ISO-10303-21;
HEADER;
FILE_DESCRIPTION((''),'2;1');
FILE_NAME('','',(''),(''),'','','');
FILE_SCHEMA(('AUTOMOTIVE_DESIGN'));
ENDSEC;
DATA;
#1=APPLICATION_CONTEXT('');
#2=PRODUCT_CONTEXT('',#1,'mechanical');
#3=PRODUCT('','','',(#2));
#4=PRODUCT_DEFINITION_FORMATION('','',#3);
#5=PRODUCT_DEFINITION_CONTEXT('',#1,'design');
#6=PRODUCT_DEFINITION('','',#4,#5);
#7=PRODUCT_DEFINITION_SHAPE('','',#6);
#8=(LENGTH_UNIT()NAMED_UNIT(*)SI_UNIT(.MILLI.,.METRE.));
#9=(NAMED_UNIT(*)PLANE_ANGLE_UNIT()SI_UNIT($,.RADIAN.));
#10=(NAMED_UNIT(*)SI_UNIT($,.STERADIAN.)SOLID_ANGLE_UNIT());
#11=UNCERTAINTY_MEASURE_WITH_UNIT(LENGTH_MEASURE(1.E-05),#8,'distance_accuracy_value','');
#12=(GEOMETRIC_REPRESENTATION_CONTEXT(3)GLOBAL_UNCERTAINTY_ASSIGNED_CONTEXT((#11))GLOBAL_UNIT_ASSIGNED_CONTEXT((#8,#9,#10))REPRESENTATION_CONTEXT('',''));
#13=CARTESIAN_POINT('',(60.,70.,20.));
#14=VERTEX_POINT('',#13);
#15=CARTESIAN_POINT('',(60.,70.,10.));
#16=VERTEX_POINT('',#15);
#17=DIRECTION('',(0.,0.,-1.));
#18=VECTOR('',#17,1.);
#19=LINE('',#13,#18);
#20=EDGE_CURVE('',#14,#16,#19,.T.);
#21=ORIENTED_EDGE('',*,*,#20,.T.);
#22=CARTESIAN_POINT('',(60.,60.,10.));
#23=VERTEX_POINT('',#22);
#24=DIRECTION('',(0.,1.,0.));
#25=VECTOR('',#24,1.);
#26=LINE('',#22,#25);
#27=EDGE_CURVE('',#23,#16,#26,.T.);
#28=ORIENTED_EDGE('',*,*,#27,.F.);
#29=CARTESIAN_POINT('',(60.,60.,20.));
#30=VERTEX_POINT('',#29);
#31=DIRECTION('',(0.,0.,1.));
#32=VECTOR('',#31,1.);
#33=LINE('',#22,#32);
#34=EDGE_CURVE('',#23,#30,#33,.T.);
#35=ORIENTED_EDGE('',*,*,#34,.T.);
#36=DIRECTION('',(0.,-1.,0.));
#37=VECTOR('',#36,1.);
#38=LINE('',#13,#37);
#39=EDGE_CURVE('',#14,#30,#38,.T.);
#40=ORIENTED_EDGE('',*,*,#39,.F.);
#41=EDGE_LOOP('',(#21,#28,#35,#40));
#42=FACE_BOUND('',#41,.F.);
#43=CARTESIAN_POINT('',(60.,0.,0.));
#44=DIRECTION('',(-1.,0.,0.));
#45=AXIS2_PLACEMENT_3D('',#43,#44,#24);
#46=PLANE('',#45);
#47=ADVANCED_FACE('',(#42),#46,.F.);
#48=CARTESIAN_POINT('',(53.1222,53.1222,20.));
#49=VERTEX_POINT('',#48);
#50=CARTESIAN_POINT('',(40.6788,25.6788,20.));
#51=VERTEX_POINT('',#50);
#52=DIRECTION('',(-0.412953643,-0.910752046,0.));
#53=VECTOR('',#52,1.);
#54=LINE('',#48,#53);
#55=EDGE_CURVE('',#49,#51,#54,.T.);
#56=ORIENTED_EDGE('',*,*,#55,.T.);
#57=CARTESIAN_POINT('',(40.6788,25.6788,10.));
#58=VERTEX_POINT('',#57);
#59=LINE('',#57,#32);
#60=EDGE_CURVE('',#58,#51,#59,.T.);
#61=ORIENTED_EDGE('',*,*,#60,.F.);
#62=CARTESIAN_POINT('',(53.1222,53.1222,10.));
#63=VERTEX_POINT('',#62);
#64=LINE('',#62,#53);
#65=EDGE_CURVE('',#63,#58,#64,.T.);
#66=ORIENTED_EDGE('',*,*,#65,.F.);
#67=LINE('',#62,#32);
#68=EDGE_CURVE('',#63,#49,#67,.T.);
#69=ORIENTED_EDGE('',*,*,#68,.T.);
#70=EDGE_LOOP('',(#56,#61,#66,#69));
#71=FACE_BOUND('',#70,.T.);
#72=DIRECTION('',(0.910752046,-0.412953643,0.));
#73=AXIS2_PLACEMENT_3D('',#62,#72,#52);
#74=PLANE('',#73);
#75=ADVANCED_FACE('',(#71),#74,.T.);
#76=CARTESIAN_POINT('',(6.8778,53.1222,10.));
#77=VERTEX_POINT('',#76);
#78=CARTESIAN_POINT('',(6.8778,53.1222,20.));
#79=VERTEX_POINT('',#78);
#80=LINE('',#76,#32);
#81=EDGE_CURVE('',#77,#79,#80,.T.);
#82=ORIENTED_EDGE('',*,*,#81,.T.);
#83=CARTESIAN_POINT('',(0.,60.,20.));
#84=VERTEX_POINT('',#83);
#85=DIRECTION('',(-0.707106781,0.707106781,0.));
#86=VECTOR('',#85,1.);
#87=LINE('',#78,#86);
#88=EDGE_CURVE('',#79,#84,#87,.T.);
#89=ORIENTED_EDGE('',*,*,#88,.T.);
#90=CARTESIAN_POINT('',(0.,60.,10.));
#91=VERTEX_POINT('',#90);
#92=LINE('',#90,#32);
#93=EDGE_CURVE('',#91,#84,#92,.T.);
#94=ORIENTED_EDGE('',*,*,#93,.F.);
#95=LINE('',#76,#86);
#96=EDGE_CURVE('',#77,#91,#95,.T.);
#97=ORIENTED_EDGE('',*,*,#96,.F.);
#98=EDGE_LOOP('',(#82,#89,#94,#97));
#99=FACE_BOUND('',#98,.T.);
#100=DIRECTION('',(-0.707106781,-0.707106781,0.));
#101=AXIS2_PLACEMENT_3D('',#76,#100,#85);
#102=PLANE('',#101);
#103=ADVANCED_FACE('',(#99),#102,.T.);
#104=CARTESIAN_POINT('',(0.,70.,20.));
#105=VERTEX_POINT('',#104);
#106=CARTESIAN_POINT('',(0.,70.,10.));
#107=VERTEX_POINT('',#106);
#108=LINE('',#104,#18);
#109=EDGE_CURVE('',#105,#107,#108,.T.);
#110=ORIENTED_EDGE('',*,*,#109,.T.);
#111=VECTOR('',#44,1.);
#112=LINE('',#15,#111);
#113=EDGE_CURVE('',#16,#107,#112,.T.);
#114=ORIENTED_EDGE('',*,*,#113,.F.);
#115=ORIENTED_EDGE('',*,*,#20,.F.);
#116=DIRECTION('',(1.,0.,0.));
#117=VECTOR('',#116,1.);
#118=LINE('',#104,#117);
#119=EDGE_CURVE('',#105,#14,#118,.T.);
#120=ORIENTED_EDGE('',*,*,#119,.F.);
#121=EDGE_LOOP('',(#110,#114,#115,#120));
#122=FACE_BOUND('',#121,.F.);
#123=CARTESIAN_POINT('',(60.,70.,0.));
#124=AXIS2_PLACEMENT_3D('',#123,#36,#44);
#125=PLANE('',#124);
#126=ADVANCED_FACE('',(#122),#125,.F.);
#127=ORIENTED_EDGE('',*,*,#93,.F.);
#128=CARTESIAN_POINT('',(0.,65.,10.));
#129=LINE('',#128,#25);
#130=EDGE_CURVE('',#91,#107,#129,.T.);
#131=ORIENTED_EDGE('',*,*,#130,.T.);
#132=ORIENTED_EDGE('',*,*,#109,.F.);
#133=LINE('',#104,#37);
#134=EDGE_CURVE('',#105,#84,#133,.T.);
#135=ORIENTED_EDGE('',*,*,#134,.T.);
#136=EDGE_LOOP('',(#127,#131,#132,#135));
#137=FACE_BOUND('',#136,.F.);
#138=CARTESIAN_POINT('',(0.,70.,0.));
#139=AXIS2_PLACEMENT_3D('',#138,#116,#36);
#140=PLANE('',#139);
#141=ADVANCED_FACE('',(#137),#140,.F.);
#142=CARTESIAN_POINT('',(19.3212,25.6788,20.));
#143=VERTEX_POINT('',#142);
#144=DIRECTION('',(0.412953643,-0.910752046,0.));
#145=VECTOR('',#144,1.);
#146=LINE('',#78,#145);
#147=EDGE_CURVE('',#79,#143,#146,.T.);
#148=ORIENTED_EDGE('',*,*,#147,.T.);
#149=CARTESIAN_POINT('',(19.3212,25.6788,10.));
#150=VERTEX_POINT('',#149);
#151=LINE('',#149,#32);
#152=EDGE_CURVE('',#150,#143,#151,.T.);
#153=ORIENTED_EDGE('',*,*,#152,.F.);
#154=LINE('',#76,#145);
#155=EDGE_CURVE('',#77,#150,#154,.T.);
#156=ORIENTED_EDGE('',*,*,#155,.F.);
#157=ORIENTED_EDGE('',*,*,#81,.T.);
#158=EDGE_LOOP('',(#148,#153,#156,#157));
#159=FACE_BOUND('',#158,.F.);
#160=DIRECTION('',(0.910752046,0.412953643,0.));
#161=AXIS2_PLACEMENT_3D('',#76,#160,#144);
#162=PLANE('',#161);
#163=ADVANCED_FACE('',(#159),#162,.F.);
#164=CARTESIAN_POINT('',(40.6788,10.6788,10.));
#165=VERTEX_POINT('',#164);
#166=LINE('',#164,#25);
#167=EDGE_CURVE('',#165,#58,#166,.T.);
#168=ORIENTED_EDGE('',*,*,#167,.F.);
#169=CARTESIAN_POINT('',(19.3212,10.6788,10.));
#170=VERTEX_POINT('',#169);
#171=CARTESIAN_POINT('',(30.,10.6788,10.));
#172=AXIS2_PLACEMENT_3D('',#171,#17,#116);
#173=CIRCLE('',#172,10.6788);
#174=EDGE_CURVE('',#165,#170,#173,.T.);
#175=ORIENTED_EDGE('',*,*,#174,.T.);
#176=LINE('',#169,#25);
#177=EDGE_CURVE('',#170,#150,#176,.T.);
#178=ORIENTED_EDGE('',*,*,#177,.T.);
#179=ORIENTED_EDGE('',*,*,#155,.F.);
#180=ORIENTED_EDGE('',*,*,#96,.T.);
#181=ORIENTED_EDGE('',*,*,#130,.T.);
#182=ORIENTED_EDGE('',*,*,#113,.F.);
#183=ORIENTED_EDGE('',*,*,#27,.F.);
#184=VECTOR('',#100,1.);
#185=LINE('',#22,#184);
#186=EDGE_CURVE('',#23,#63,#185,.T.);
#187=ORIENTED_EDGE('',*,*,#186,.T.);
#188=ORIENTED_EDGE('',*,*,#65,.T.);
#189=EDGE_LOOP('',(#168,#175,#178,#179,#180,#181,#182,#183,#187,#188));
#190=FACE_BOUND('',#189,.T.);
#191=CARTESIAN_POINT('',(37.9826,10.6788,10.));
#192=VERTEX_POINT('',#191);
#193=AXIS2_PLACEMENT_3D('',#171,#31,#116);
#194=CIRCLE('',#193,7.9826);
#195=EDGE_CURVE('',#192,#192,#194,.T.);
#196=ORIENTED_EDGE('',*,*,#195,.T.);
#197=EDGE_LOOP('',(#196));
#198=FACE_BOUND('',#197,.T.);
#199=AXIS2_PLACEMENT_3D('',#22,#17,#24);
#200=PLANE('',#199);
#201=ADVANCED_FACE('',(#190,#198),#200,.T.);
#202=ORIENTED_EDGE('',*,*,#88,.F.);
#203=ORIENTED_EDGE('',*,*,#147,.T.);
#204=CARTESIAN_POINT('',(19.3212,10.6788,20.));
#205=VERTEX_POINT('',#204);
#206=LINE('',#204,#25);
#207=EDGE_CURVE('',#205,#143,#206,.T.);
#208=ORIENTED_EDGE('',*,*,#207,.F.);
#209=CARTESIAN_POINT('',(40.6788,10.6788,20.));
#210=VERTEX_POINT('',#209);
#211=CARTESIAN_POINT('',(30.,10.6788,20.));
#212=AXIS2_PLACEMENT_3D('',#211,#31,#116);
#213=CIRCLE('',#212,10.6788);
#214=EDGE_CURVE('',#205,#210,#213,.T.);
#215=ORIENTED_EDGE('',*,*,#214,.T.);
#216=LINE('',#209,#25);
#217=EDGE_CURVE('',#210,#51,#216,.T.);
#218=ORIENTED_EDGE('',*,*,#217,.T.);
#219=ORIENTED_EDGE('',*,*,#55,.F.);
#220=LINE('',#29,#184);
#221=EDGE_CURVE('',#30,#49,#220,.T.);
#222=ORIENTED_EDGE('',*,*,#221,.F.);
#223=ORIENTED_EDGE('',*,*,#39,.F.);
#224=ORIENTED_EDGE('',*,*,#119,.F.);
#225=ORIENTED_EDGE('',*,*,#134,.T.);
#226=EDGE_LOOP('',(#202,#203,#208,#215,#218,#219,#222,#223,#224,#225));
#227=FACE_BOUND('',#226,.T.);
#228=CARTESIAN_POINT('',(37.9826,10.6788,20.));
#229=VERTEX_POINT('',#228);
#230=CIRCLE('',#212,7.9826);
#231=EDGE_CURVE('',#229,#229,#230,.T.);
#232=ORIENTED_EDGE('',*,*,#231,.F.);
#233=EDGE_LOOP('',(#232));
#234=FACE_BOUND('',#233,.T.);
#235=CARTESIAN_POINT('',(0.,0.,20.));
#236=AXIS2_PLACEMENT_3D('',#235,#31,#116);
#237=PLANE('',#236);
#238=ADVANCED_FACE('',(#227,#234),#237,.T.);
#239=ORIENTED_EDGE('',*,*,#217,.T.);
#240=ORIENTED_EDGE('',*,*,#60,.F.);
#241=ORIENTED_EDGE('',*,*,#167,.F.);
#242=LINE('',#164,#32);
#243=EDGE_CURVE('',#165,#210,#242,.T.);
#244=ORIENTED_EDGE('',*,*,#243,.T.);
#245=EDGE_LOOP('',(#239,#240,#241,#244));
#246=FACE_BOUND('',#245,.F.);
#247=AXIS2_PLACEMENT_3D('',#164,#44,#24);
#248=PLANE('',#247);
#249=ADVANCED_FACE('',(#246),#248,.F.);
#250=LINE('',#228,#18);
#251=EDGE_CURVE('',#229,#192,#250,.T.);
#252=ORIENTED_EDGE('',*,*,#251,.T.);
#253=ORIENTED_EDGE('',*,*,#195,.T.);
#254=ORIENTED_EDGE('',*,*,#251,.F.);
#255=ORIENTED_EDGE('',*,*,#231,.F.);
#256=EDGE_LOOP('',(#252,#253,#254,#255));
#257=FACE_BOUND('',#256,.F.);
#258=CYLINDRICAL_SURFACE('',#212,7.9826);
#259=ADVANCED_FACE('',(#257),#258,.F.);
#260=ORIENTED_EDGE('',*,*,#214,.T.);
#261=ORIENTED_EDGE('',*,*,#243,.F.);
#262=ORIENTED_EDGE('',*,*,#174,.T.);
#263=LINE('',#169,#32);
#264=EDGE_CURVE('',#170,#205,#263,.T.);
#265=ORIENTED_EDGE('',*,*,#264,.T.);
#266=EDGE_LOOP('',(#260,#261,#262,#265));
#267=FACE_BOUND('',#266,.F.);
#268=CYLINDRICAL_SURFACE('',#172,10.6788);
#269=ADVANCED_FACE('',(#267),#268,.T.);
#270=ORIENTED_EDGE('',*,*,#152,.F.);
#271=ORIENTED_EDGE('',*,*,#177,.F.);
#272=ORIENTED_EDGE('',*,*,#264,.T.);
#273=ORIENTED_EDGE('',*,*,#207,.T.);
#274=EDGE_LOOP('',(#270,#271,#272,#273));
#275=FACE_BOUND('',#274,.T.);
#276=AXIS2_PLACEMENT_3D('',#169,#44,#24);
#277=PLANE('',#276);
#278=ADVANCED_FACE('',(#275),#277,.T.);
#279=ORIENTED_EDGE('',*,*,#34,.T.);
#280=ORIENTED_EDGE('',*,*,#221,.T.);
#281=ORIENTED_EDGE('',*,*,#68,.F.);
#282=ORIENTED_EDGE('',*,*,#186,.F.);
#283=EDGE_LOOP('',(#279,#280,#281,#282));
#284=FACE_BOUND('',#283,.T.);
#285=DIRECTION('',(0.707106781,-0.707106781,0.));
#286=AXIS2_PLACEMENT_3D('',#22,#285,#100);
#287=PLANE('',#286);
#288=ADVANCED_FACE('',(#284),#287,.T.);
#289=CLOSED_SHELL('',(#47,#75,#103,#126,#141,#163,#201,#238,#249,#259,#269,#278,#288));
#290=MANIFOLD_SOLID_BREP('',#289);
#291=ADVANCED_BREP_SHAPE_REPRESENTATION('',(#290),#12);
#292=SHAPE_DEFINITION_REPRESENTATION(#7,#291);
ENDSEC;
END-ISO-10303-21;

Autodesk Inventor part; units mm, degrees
ref_plane "YZ Plane" through (0, 0, 0) normal (1, 0, 0) x (0, 1, 0)
ref_plane "XZ Plane" through (0, 0, 0) normal (0, 1, 0) x (-1, 0, 0)
ref_plane "XY Plane" through (0, 0, 0) normal (0, 0, 1) x (1, 0, 0)
sketch "Sketch1" plane through (0, 0, 0) normal (0, 0, 1) x (1, 0, 0)
  line L0 (0, 0) -> (60, 0)
  line L1 (60, 0) -> (60, 70)
  line L2 (60, 70) -> (0, 70)
  line L3 (0, 70) -> (0, 0)
  dimension "d0" = 60
  dimension "d1" = 70
extrude "Extrusion1" add sketch "Sketch1" along normal blind 10
sketch "Sketch2" plane through (0, 0, 10) normal (0, 0, 1) x (1, 0, 0)
  line L0 (0, 60) -> (60, 60) construction
  line L1 (60, 0) -> (60, 70) construction
  line L2 (0, 60) -> (60, 0) construction
  line L3 (0, 0) -> (60, 0) construction
  line L4 (60, 60) -> (0, 0) construction
  arc A0 (0, 0) -> (0, 60) centre (-23.1222, 30) ccw construction
  arc A1 (60, 60) -> (60, 0) centre (83.1222, 30) ccw construction
  line L5 (60, 70) -> (0, 70) construction
  line L6 (30, 70) -> (30, 0) construction
  line L7 (17.3619, 30) -> (14.7544, 30) construction
  line L8 (42.6381, 30) -> (45.2456, 30) construction
  line L9 (0, 60) -> (60, 60)
  circle A2 centre (30, 10.6788) radius 10.6788
  line L10 (19.3212, 10.6788) -> (19.3212, 25.6788)
  line L11 (6.8778, 53.1222) -> (0, 60)
  line L12 (40.6788, 10.6788) -> (40.6788, 25.6788)
  line L13 (60, 60) -> (53.1222, 53.1222)
  line L14 (6.8778, 53.1222) -> (19.3212, 25.6788)
  line L15 (53.1222, 53.1222) -> (40.6788, 25.6788)
  line L16 (0, 70) -> (0, 0) projected
  line L17 (0, 60) -> (0, 70)
  line L18 (0, 70) -> (60, 70)
  line L19 (60, 70) -> (60, 60)
  line L20 (40.6788, 25.6788) -> (19.3212, 25.6788)
  line L21 (53.1222, 53.1222) -> (6.8778, 53.1222)
  line L22 (6.8778, 53.1222) -> (0, 60)
  line L23 (53.1222, 53.1222) -> (60, 60)
  line L24 (0, 70) -> (0, 0) projected
  line L25 (0, 60) -> (0, 70)
  line L26 (0, 70) -> (60, 70)
  line L27 (60, 60) -> (60, 70)
  dimension "d4" = 10
extrude "Extrusion2" add sketch "Sketch2" along normal blind 10
sketch "Sketch3" plane through (60, 0, 0) normal (1, 0, 0) x (0, 0, -1)
  line L0 (-10, 60) -> (-20, 60) projected
  line L1 (-10, 60) -> (-10, 70)
  line L2 (0, 70) -> (-20, 70) projected
  line L3 (0, 0) -> (-10, 0) projected
  line L4 (-10, 0) -> (0, 0)
  line L5 (-10, 60) -> (-10, 0)
  line L6 (-10, 0) -> (-10, 60) projected
  line L7 (0, 0) -> (0, 70) projected
  line L8 (-10, 0) -> (0, 0)
  line L9 (0, 0) -> (0, 70)
  line L10 (0, 70) -> (-10, 70)
extrude "Extrusion3" cut sketch "Sketch3" against normal through all
sketch "Sketch4" plane through (0, 0, 20) normal (0, 0, 1) x (1, 0, 0)
  arc A0 (19.3212, 10.6788) -> (40.6788, 10.6788) centre (30, 10.6788) ccw construction
  line L0 (30, 10.6788) -> (30, 0) construction
  line L1 (60, 70) -> (0, 70) construction
  line L2 (30, 70) -> (30, 10.6788) construction
  circle A1 centre (30, 10.6788) radius 7.9826 construction
  circle A2 centre (30, 10.6788) radius 7.9826
  point P0 (0, 0)
extrude "Extrusion4" cut sketch "Sketch4" against normal blind 10
properties part number "Wheel Holder"
